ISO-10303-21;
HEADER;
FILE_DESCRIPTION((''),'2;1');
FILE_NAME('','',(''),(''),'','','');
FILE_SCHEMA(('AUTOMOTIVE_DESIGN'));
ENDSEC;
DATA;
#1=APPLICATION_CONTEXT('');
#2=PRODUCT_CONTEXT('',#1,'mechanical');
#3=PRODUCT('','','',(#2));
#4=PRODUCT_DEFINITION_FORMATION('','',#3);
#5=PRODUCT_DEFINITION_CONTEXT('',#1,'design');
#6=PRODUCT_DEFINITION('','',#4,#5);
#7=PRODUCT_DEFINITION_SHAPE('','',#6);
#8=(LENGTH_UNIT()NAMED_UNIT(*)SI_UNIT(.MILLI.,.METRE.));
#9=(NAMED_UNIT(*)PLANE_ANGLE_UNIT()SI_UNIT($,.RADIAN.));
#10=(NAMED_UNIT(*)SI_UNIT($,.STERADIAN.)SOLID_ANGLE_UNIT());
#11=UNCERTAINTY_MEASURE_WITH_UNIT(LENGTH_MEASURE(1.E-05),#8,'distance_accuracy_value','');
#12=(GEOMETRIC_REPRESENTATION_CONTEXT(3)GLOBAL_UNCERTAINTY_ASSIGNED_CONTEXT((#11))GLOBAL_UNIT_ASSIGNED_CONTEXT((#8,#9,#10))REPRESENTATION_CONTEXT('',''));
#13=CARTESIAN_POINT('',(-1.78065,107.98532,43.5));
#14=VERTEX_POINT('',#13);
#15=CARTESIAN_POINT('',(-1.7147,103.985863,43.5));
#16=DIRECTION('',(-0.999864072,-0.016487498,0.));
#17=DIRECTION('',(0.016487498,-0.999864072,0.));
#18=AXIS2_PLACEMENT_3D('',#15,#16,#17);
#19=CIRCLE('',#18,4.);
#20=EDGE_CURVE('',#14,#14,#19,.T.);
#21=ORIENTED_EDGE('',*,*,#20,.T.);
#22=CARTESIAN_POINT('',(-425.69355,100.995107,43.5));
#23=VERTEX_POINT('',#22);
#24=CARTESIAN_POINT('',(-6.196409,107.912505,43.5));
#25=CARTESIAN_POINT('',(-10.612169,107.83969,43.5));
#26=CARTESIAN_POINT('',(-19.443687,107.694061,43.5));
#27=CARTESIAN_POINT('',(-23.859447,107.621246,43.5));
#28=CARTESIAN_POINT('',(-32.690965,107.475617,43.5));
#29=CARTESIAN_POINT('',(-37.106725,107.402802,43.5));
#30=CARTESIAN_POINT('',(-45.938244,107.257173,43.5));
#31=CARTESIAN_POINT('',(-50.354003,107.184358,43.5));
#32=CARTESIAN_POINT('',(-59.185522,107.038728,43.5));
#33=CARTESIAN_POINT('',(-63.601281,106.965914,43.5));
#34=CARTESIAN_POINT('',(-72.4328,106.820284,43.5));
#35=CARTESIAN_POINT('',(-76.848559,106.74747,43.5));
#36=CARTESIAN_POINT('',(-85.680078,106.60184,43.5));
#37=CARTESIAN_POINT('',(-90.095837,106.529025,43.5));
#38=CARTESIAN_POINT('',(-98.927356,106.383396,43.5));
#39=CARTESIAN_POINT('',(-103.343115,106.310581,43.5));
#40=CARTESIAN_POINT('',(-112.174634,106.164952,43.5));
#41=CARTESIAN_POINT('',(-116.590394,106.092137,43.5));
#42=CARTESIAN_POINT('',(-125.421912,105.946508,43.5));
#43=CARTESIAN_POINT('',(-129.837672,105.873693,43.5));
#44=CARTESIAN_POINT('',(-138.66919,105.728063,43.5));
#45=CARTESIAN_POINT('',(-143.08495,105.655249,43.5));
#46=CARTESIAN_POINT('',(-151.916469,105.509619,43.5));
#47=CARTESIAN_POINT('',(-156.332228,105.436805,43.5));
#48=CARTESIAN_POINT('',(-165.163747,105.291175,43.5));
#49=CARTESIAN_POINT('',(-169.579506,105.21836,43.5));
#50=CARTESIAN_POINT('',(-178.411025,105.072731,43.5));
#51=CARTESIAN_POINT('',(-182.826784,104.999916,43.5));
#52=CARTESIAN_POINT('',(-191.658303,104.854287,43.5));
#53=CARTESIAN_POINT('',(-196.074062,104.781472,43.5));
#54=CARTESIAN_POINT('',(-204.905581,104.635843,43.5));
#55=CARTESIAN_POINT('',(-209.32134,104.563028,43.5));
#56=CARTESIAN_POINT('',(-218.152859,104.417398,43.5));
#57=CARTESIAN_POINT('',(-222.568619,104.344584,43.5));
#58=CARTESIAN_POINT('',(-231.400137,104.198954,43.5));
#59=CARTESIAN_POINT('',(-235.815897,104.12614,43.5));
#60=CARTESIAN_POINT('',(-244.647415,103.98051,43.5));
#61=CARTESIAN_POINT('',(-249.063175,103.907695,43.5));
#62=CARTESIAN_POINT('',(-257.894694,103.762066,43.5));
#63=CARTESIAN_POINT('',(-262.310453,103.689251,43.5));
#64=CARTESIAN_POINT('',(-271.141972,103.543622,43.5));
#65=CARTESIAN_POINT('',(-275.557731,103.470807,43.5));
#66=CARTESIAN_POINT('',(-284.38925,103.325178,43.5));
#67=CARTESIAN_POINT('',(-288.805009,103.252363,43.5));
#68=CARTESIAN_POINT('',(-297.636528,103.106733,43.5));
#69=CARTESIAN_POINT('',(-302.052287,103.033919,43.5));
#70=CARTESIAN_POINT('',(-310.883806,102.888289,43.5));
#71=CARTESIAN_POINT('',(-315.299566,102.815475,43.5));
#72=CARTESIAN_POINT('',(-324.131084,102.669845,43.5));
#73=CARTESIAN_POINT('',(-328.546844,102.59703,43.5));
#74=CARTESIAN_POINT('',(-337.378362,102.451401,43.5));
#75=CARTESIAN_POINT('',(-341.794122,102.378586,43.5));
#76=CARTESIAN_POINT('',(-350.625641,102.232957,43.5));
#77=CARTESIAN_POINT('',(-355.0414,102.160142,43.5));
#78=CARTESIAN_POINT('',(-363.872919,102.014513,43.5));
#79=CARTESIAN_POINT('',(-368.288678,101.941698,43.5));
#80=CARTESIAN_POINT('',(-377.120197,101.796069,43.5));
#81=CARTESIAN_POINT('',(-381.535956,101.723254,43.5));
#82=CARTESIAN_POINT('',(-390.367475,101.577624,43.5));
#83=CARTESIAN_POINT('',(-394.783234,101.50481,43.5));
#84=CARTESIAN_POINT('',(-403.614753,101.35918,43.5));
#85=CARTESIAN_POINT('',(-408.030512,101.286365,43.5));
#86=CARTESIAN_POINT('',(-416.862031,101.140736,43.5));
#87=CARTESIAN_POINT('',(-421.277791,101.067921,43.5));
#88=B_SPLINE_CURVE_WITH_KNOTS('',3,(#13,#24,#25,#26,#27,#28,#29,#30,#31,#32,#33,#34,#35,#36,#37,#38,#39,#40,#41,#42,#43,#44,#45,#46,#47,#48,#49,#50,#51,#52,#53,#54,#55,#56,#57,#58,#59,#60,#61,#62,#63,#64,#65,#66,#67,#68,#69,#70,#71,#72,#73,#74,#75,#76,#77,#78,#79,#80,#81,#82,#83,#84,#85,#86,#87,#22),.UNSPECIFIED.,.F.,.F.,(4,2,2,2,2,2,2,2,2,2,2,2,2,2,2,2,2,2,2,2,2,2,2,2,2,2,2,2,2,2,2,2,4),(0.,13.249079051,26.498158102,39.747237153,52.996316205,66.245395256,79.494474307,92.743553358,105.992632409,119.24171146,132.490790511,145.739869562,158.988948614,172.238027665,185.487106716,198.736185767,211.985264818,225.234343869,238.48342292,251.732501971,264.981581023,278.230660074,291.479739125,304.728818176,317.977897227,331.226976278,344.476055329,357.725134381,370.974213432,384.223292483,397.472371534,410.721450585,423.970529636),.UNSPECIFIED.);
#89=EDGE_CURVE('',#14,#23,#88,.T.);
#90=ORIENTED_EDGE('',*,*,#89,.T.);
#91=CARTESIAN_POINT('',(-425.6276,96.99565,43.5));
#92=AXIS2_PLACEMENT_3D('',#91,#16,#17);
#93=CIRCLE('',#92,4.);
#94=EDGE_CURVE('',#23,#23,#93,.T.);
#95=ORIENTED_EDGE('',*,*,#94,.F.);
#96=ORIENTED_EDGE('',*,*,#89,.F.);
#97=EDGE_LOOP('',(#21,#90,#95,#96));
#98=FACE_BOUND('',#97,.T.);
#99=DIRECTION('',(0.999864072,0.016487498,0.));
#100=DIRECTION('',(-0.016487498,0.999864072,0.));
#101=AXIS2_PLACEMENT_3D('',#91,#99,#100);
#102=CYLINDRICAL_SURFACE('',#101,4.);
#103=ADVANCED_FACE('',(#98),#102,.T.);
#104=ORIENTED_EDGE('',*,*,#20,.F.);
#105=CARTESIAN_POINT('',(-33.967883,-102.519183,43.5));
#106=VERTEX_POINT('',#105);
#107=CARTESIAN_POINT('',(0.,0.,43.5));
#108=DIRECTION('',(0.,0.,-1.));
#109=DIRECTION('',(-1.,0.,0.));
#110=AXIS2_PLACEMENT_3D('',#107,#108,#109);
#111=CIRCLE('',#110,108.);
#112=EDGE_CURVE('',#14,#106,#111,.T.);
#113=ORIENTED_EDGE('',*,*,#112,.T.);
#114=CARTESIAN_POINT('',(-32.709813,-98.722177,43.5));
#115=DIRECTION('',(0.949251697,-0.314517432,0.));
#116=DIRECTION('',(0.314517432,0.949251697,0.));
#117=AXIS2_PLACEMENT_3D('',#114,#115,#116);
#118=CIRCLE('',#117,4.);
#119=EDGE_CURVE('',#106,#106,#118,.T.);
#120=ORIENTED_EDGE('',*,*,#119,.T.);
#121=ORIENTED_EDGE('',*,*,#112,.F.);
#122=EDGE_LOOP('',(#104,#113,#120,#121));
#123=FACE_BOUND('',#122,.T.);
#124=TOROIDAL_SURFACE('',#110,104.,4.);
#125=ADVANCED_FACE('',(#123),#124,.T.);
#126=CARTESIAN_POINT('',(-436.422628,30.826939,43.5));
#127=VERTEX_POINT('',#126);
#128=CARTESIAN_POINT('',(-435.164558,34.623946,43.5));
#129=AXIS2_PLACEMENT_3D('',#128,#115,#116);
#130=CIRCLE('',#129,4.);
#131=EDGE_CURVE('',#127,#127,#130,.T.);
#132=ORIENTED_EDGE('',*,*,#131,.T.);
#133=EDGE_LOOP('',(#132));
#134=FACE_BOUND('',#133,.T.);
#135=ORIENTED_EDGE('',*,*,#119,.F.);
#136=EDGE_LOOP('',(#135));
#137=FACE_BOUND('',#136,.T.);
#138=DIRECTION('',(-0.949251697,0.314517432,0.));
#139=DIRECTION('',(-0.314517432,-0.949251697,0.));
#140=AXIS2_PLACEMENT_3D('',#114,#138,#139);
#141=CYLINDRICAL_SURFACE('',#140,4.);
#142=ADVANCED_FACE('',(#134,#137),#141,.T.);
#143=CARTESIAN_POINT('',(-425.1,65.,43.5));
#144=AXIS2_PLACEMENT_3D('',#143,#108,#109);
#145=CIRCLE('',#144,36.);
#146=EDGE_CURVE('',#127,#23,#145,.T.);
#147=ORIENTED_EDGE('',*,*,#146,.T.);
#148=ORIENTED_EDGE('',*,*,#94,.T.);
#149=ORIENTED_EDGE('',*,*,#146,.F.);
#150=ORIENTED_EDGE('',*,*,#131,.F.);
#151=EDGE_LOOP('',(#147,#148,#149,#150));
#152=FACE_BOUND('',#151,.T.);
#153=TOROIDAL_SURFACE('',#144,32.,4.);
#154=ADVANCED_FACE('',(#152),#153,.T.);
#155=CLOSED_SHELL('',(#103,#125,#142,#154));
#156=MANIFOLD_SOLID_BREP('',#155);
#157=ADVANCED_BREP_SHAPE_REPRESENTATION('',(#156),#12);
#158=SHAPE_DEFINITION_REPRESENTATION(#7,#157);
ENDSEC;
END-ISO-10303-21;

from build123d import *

# Parameters (mm, degrees)
CADENA_PROFILE_R = 4


with BuildPart() as part:
    # Cadena: sweep along a path in Sk_Cadena
    with BuildLine(Plane.XY.offset(43.5)) as cadena_path:
        Line((-32.709812925, -98.722176528), (-435.164557823, 34.623945684))
        ThreePointArc((-435.164557823, 34.623945684), (-456.732354256, 69.836751415), (-425.62759993, 96.995650303))
        Line((-425.62759993, 96.995650303), (-1.714699773, 103.985863485))
        ThreePointArc((-1.714699773, 103.985863485), (102.80515133, -15.719442099), (-32.709812925, -98.722176528))
    # Cadena profile (on start of the path) → Cadena (sweep)
    with BuildSketch(Plane(origin=(-32.709812925, -98.722176528, 43.5), x_dir=(-0.314517431968955, -0.9492516973846578, 0), z_dir=(-0.9492516973846578, 0.314517431968955, 0))):
        Circle(CADENA_PROFILE_R)
    sweep(path=cadena_path.line)


solid = part.part
